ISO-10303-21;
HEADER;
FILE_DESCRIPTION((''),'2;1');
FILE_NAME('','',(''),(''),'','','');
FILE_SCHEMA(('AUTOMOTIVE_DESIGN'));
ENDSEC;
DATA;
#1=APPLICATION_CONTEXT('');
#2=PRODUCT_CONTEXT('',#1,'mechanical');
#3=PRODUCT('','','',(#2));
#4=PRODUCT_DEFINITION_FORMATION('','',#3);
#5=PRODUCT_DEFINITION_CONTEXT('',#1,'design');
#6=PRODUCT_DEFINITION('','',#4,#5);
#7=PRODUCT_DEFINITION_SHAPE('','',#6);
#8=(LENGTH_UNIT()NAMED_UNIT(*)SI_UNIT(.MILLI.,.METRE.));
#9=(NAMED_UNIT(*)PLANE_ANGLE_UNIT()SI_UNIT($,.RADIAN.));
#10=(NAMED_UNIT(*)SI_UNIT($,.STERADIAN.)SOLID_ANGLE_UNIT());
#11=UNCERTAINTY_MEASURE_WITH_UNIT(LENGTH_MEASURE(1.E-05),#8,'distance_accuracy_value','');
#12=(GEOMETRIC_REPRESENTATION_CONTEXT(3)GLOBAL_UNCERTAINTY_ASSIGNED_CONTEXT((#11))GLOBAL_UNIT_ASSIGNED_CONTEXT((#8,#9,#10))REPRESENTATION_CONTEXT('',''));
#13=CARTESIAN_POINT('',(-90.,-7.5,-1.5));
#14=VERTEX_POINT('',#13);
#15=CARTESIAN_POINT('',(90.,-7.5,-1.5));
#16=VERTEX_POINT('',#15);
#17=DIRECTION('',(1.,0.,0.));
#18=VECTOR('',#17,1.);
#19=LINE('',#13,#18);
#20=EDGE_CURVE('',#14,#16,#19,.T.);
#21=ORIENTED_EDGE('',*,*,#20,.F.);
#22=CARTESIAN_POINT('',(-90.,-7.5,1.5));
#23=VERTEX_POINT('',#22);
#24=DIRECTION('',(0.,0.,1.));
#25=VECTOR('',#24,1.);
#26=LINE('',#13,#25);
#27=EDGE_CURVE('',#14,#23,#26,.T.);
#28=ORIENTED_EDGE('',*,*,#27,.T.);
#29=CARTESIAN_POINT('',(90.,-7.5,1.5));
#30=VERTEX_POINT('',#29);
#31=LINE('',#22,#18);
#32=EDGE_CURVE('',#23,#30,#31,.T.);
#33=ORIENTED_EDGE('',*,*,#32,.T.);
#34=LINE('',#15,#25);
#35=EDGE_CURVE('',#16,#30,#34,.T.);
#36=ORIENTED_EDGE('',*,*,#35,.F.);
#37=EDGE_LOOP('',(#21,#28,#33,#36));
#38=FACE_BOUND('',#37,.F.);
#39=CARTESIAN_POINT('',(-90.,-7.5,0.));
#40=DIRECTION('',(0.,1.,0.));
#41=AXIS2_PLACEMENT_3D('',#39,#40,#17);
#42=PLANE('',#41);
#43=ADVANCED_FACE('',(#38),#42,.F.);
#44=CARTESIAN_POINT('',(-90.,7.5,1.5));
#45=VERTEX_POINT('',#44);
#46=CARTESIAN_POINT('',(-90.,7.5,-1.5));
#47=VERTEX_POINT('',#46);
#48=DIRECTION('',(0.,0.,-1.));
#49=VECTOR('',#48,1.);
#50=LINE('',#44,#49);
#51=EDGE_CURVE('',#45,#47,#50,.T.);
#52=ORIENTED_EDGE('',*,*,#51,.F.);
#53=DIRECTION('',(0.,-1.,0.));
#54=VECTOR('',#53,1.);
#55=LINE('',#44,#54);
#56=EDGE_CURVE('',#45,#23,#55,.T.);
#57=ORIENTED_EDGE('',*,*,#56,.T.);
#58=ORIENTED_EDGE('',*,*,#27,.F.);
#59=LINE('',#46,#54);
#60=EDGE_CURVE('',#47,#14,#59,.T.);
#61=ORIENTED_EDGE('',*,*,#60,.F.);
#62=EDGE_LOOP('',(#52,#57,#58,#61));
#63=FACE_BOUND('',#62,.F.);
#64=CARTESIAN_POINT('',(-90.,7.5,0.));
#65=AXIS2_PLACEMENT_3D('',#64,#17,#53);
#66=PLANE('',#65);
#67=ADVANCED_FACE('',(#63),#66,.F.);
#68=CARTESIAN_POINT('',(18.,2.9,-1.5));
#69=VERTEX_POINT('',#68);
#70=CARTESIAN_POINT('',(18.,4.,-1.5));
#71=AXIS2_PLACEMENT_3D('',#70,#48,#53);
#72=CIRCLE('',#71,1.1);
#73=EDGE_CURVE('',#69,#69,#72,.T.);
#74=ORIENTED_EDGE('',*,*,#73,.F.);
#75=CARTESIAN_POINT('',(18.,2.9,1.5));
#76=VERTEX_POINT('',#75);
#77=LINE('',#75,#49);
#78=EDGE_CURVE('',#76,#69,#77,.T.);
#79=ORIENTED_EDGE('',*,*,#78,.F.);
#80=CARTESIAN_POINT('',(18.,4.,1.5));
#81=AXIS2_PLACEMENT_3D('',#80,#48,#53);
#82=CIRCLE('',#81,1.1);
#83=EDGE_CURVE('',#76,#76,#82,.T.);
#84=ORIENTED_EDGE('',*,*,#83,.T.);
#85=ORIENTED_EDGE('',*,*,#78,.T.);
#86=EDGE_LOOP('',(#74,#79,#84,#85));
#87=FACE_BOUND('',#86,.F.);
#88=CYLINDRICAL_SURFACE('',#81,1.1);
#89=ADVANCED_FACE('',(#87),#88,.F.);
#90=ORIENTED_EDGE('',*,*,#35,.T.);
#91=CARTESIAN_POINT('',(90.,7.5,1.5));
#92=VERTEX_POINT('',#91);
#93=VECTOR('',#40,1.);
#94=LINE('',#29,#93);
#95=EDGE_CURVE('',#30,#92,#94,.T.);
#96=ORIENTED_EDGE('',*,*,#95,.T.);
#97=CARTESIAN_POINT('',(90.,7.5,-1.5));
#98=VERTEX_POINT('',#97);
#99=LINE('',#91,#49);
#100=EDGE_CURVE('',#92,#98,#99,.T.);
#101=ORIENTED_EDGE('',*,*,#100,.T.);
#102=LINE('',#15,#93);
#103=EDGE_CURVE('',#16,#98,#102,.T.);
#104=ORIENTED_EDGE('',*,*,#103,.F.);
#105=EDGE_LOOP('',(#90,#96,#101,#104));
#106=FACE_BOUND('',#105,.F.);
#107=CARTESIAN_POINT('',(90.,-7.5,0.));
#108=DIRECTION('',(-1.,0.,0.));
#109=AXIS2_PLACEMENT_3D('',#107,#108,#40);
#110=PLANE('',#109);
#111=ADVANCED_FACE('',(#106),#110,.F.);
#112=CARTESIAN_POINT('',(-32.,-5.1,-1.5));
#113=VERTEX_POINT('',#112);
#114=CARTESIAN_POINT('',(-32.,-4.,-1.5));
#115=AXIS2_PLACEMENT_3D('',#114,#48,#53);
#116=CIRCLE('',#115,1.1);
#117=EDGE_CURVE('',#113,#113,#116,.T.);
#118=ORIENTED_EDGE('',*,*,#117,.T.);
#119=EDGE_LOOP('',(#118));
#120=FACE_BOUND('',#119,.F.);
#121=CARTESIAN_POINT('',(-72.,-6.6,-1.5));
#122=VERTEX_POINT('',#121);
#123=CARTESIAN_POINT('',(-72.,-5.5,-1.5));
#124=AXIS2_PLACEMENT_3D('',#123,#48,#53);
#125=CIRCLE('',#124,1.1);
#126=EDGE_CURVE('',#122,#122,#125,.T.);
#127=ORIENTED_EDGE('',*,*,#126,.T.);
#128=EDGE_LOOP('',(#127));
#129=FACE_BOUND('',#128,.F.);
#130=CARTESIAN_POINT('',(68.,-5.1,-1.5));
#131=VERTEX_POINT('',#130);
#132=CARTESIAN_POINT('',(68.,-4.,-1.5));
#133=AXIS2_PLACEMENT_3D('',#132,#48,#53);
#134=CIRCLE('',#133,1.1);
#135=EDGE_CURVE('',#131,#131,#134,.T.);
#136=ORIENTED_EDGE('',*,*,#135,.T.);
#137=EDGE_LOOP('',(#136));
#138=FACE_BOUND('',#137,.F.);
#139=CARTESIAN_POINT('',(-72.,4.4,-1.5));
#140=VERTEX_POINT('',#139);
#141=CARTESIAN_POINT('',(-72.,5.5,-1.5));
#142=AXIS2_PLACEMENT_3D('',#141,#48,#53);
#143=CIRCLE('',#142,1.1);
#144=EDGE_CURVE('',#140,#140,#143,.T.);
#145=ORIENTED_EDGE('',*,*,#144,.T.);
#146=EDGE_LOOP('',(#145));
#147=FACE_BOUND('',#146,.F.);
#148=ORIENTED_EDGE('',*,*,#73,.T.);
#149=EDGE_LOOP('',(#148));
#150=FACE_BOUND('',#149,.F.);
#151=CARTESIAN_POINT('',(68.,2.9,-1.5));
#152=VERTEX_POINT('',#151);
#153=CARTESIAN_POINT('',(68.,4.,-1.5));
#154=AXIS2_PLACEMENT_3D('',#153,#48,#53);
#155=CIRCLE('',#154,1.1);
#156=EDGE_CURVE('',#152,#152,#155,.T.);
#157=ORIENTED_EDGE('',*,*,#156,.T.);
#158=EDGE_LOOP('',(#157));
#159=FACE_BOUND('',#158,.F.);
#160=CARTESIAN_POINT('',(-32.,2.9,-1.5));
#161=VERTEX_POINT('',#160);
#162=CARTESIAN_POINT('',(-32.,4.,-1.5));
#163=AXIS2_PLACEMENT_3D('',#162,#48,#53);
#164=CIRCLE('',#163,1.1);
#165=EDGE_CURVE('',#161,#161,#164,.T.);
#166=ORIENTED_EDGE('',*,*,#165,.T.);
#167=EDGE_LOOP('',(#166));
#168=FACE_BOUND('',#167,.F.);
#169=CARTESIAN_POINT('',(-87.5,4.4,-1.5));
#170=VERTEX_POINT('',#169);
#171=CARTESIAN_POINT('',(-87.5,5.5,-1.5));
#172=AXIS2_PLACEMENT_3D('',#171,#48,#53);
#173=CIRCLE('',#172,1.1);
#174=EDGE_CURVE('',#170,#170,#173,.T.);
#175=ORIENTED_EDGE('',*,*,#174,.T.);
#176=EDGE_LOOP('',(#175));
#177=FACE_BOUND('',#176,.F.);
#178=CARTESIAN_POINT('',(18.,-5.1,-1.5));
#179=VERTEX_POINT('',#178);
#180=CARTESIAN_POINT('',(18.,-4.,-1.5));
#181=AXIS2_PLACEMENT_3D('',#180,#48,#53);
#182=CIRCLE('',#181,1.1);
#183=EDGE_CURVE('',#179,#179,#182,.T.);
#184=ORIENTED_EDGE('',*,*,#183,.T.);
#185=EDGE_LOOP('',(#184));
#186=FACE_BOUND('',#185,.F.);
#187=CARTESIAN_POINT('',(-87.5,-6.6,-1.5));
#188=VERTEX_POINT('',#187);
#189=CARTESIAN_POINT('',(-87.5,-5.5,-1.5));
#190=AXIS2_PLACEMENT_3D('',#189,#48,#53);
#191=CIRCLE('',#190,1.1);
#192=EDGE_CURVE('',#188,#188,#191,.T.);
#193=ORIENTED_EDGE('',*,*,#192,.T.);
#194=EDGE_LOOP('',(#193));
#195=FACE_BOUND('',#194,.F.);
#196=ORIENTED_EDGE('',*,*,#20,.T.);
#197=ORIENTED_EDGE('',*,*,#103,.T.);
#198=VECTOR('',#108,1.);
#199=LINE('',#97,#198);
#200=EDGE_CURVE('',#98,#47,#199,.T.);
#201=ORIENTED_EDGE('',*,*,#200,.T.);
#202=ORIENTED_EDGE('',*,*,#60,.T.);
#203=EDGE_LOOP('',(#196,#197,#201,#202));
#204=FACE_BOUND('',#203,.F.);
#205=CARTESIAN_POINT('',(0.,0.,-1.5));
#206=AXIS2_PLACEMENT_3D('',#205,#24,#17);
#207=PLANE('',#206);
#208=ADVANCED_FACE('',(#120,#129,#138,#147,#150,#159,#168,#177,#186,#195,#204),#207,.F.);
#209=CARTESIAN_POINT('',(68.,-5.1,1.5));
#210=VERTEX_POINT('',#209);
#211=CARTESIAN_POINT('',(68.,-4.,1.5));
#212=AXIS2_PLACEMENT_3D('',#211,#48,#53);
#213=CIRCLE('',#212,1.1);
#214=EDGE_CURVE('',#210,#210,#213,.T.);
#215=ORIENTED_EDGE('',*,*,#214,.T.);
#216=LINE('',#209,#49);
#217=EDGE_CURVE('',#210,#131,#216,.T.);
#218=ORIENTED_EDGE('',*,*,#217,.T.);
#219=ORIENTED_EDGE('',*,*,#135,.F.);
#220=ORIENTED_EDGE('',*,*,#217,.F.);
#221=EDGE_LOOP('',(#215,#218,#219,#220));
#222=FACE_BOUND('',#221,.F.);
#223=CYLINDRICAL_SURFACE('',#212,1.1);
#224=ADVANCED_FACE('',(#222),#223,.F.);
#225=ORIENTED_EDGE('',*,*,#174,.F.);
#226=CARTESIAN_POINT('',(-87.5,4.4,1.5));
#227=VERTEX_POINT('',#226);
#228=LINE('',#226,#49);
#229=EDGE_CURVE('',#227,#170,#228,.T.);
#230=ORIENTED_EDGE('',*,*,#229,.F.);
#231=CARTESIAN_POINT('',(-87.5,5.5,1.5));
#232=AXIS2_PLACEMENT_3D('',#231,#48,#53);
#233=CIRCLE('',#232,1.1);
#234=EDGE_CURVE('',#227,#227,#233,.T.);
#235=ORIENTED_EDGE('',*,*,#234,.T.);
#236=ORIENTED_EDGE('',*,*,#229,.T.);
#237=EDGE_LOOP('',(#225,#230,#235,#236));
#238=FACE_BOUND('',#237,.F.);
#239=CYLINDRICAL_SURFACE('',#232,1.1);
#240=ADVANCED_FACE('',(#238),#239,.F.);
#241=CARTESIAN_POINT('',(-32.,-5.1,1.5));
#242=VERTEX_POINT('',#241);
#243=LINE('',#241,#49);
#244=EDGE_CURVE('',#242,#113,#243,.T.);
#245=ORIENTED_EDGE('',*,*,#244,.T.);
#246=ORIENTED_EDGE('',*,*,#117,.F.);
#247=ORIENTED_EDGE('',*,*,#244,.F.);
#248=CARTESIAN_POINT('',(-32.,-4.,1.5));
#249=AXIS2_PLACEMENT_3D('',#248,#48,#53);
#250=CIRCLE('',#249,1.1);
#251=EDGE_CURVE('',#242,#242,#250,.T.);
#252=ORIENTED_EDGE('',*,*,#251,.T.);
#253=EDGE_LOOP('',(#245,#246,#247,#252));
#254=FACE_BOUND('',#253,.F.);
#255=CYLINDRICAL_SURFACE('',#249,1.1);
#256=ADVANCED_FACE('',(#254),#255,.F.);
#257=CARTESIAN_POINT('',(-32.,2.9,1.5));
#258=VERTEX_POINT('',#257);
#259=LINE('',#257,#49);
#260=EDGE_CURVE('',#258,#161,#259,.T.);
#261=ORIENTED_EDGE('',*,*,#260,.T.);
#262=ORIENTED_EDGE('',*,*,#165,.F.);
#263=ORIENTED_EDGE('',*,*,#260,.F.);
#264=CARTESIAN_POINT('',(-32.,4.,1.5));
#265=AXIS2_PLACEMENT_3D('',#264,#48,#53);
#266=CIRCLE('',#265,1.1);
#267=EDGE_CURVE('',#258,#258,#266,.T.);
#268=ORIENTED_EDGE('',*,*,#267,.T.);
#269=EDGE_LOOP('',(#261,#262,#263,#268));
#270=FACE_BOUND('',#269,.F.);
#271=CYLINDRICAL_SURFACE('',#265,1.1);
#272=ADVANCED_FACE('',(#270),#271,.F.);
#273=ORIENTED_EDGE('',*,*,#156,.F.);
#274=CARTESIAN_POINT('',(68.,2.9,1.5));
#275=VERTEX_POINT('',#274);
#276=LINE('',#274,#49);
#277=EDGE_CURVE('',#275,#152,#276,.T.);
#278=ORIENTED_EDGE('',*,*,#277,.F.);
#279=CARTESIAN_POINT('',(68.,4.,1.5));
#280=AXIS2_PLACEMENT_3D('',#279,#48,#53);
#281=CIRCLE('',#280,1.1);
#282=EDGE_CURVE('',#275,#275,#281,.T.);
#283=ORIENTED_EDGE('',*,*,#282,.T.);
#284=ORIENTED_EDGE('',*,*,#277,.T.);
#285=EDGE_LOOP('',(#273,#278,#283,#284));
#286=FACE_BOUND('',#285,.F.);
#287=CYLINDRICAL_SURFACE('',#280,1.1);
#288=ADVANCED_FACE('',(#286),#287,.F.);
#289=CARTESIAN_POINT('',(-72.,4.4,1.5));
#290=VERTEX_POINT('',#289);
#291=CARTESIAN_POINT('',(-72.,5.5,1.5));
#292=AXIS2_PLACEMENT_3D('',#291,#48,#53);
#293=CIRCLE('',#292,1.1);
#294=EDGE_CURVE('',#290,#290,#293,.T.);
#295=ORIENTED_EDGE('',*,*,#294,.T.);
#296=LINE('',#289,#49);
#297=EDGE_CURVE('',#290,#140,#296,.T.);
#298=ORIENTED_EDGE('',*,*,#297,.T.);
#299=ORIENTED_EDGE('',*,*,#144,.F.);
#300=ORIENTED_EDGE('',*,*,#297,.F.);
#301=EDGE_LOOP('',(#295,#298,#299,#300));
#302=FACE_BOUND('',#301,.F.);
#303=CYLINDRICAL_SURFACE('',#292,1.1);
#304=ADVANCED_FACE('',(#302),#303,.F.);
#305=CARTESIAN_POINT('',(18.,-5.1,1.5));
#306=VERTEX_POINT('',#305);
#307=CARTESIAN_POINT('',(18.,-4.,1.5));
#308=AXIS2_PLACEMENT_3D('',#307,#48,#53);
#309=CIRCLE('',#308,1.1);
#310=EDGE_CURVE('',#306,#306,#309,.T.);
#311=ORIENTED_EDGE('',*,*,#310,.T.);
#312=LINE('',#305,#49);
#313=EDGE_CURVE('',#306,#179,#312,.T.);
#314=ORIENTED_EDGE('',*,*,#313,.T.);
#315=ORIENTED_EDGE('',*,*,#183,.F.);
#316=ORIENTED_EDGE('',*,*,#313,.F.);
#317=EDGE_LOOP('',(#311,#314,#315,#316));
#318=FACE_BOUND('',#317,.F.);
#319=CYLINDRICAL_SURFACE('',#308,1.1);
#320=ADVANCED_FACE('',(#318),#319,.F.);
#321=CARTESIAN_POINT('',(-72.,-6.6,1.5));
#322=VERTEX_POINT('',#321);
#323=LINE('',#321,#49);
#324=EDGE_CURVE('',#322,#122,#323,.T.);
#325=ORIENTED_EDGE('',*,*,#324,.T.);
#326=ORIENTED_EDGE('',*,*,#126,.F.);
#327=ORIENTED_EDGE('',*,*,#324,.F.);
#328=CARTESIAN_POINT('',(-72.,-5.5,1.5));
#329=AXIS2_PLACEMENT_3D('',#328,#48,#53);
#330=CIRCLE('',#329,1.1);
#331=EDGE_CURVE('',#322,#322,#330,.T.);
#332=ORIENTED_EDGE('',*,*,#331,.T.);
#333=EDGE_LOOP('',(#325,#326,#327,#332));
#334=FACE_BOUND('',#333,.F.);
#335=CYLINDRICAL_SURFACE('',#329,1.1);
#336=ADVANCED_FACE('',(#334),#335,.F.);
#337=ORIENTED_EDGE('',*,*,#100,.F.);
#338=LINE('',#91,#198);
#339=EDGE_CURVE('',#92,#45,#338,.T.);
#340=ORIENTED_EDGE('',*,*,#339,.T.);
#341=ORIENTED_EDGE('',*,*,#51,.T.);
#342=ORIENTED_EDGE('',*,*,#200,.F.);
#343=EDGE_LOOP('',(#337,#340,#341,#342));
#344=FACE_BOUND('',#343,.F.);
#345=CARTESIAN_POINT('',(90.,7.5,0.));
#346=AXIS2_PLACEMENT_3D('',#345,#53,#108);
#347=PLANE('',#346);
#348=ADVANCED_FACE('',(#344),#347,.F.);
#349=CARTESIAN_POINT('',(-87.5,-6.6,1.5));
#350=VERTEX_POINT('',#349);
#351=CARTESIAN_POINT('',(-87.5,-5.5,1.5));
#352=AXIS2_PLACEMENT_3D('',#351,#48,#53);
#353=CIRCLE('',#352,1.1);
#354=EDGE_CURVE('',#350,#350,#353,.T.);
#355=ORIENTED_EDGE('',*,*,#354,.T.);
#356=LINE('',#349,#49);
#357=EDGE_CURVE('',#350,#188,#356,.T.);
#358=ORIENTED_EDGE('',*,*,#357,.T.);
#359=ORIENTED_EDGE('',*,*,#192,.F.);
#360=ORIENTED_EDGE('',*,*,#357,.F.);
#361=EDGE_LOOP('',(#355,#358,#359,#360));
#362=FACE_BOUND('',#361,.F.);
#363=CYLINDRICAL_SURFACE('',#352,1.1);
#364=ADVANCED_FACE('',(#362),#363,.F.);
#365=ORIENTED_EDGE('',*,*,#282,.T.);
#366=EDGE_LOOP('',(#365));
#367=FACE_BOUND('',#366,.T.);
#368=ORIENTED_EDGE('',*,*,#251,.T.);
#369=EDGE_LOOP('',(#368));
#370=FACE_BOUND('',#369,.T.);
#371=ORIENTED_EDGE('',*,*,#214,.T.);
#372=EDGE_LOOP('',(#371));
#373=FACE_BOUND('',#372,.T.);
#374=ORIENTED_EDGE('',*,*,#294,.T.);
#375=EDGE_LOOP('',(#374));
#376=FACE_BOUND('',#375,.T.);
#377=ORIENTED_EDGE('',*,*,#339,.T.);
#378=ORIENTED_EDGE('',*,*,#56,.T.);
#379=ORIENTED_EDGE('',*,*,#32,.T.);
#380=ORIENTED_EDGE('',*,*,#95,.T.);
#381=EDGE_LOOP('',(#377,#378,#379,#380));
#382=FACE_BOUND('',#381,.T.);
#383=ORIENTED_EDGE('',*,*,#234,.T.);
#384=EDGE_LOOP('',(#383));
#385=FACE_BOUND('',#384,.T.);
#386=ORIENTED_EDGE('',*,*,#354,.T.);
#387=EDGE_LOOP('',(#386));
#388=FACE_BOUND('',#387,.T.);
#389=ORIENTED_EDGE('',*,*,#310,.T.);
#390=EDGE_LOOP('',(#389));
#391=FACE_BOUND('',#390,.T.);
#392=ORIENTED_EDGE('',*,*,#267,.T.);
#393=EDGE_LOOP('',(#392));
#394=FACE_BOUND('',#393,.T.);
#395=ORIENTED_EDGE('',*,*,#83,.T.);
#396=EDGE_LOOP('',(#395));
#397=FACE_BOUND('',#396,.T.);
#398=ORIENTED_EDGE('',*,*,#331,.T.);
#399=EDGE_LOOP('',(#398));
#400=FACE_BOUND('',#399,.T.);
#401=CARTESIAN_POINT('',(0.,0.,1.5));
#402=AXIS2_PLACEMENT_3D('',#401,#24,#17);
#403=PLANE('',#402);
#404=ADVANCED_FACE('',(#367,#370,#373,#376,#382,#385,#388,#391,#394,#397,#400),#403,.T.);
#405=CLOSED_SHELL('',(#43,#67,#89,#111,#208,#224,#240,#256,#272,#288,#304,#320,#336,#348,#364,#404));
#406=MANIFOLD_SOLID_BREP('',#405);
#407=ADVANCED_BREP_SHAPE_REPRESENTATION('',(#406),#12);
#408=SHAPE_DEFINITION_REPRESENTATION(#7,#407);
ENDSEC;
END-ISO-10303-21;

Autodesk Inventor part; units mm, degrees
ref_plane "YZ Plane" through (0, 0, 0) normal (1, 0, 0) x (0, 1, 0)
ref_plane "XZ Plane" through (0, 0, 0) normal (0, 1, 0) x (-1, 0, 0)
ref_plane "XY Plane" through (0, 0, 0) normal (0, 0, 1) x (1, 0, 0)
sketch "スケッチ1" plane through (0, 0, 0) normal (0, 0, 1) x (1, 0, 0)
  line L0 (-90, -7.5) -> (90, -7.5)
  line L1 (90, -7.5) -> (90, 7.5)
  line L2 (90, 7.5) -> (-90, 7.5)
  line L3 (-90, 7.5) -> (-90, -7.5)
  line L4 (-90, -7.5) -> (90, 7.5) construction
  line L5 (90, -7.5) -> (-90, 7.5) construction
  point P0 (0, 0)
  dimension "d0" = 180
  dimension "d1" = 15
extrude "押し出し1" add sketch "スケッチ1" along normal mid plane 3
sketch "スケッチ2" plane through (0, 0, 1.5) normal (0, 0, 1) x (1, 0, 0)
  line L0 (-90, 7.5) -> (-90, -7.5) projected
  line L1 (0, 0) -> (-7.3146, 0)
  point P0 (-87.5, 5.5)
  point P1 (-72, 5.5)
  point P2 (-87.5, -5.5)
  point P3 (-72, -5.5)
  dimension "d4" = 2.5
  dimension "d5" = 15.5
  dimension "d6" = 5.5
  dimension "d7" = 5.5
hole "穴1" at (-87.5, 5.5, 1.5) at (-72, 5.5, 1.5) at (-87.5, -5.5, 1.5) at (-72, -5.5, 1.5) direction (0, 0, -1) diameter 2.2 end through all
sketch "スケッチ3" plane through (0, 0, 1.5) normal (0, 0, 1) x (1, 0, 0)
  circle A0 centre (-72, 5.5) radius 1.1 projected
  circle A1 centre (-72, -5.5) radius 1.1 projected
  circle A2 centre (-72, -5.5) radius 1.1 projected
  circle A3 centre (-87.5, -5.5) radius 1.1 projected
  circle A4 centre (-72, 5.5) radius 1.1 projected
  circle A5 centre (-87.5, 5.5) radius 1.1 projected
  line L0 (90, -7.5) -> (90, 7.5) projected
  line L1 (90, 7.5) -> (-90, 7.5) projected
  line L2 (-90, 7.5) -> (-90, -7.5) projected
  line L3 (-90, -7.5) -> (90, -7.5) projected
  point P0 (0, 0)
  point P1 (-32, 4)
  point P2 (-32, -4)
  point P3 (18, 4)
  point P4 (18, -4)
  point P5 (68, 4)
  point P6 (68, -4)
  dimension "d15" = 40
  dimension "d16" = 4
  dimension "d17" = 4
  dimension "d18" = 40
  dimension "d28" = 50
hole "穴2" at (-32, 4, 1.5) at (-32, -4, 1.5) at (18, 4, 1.5) at (18, -4, 1.5) at (68, 4, 1.5) at (68, -4, 1.5) direction (0, 0, -1) diameter 2.2 end through all
equation "\"d7\" = d6"
equation "\"d17\" = d16"
properties part number "slider_to_cutter_part"
